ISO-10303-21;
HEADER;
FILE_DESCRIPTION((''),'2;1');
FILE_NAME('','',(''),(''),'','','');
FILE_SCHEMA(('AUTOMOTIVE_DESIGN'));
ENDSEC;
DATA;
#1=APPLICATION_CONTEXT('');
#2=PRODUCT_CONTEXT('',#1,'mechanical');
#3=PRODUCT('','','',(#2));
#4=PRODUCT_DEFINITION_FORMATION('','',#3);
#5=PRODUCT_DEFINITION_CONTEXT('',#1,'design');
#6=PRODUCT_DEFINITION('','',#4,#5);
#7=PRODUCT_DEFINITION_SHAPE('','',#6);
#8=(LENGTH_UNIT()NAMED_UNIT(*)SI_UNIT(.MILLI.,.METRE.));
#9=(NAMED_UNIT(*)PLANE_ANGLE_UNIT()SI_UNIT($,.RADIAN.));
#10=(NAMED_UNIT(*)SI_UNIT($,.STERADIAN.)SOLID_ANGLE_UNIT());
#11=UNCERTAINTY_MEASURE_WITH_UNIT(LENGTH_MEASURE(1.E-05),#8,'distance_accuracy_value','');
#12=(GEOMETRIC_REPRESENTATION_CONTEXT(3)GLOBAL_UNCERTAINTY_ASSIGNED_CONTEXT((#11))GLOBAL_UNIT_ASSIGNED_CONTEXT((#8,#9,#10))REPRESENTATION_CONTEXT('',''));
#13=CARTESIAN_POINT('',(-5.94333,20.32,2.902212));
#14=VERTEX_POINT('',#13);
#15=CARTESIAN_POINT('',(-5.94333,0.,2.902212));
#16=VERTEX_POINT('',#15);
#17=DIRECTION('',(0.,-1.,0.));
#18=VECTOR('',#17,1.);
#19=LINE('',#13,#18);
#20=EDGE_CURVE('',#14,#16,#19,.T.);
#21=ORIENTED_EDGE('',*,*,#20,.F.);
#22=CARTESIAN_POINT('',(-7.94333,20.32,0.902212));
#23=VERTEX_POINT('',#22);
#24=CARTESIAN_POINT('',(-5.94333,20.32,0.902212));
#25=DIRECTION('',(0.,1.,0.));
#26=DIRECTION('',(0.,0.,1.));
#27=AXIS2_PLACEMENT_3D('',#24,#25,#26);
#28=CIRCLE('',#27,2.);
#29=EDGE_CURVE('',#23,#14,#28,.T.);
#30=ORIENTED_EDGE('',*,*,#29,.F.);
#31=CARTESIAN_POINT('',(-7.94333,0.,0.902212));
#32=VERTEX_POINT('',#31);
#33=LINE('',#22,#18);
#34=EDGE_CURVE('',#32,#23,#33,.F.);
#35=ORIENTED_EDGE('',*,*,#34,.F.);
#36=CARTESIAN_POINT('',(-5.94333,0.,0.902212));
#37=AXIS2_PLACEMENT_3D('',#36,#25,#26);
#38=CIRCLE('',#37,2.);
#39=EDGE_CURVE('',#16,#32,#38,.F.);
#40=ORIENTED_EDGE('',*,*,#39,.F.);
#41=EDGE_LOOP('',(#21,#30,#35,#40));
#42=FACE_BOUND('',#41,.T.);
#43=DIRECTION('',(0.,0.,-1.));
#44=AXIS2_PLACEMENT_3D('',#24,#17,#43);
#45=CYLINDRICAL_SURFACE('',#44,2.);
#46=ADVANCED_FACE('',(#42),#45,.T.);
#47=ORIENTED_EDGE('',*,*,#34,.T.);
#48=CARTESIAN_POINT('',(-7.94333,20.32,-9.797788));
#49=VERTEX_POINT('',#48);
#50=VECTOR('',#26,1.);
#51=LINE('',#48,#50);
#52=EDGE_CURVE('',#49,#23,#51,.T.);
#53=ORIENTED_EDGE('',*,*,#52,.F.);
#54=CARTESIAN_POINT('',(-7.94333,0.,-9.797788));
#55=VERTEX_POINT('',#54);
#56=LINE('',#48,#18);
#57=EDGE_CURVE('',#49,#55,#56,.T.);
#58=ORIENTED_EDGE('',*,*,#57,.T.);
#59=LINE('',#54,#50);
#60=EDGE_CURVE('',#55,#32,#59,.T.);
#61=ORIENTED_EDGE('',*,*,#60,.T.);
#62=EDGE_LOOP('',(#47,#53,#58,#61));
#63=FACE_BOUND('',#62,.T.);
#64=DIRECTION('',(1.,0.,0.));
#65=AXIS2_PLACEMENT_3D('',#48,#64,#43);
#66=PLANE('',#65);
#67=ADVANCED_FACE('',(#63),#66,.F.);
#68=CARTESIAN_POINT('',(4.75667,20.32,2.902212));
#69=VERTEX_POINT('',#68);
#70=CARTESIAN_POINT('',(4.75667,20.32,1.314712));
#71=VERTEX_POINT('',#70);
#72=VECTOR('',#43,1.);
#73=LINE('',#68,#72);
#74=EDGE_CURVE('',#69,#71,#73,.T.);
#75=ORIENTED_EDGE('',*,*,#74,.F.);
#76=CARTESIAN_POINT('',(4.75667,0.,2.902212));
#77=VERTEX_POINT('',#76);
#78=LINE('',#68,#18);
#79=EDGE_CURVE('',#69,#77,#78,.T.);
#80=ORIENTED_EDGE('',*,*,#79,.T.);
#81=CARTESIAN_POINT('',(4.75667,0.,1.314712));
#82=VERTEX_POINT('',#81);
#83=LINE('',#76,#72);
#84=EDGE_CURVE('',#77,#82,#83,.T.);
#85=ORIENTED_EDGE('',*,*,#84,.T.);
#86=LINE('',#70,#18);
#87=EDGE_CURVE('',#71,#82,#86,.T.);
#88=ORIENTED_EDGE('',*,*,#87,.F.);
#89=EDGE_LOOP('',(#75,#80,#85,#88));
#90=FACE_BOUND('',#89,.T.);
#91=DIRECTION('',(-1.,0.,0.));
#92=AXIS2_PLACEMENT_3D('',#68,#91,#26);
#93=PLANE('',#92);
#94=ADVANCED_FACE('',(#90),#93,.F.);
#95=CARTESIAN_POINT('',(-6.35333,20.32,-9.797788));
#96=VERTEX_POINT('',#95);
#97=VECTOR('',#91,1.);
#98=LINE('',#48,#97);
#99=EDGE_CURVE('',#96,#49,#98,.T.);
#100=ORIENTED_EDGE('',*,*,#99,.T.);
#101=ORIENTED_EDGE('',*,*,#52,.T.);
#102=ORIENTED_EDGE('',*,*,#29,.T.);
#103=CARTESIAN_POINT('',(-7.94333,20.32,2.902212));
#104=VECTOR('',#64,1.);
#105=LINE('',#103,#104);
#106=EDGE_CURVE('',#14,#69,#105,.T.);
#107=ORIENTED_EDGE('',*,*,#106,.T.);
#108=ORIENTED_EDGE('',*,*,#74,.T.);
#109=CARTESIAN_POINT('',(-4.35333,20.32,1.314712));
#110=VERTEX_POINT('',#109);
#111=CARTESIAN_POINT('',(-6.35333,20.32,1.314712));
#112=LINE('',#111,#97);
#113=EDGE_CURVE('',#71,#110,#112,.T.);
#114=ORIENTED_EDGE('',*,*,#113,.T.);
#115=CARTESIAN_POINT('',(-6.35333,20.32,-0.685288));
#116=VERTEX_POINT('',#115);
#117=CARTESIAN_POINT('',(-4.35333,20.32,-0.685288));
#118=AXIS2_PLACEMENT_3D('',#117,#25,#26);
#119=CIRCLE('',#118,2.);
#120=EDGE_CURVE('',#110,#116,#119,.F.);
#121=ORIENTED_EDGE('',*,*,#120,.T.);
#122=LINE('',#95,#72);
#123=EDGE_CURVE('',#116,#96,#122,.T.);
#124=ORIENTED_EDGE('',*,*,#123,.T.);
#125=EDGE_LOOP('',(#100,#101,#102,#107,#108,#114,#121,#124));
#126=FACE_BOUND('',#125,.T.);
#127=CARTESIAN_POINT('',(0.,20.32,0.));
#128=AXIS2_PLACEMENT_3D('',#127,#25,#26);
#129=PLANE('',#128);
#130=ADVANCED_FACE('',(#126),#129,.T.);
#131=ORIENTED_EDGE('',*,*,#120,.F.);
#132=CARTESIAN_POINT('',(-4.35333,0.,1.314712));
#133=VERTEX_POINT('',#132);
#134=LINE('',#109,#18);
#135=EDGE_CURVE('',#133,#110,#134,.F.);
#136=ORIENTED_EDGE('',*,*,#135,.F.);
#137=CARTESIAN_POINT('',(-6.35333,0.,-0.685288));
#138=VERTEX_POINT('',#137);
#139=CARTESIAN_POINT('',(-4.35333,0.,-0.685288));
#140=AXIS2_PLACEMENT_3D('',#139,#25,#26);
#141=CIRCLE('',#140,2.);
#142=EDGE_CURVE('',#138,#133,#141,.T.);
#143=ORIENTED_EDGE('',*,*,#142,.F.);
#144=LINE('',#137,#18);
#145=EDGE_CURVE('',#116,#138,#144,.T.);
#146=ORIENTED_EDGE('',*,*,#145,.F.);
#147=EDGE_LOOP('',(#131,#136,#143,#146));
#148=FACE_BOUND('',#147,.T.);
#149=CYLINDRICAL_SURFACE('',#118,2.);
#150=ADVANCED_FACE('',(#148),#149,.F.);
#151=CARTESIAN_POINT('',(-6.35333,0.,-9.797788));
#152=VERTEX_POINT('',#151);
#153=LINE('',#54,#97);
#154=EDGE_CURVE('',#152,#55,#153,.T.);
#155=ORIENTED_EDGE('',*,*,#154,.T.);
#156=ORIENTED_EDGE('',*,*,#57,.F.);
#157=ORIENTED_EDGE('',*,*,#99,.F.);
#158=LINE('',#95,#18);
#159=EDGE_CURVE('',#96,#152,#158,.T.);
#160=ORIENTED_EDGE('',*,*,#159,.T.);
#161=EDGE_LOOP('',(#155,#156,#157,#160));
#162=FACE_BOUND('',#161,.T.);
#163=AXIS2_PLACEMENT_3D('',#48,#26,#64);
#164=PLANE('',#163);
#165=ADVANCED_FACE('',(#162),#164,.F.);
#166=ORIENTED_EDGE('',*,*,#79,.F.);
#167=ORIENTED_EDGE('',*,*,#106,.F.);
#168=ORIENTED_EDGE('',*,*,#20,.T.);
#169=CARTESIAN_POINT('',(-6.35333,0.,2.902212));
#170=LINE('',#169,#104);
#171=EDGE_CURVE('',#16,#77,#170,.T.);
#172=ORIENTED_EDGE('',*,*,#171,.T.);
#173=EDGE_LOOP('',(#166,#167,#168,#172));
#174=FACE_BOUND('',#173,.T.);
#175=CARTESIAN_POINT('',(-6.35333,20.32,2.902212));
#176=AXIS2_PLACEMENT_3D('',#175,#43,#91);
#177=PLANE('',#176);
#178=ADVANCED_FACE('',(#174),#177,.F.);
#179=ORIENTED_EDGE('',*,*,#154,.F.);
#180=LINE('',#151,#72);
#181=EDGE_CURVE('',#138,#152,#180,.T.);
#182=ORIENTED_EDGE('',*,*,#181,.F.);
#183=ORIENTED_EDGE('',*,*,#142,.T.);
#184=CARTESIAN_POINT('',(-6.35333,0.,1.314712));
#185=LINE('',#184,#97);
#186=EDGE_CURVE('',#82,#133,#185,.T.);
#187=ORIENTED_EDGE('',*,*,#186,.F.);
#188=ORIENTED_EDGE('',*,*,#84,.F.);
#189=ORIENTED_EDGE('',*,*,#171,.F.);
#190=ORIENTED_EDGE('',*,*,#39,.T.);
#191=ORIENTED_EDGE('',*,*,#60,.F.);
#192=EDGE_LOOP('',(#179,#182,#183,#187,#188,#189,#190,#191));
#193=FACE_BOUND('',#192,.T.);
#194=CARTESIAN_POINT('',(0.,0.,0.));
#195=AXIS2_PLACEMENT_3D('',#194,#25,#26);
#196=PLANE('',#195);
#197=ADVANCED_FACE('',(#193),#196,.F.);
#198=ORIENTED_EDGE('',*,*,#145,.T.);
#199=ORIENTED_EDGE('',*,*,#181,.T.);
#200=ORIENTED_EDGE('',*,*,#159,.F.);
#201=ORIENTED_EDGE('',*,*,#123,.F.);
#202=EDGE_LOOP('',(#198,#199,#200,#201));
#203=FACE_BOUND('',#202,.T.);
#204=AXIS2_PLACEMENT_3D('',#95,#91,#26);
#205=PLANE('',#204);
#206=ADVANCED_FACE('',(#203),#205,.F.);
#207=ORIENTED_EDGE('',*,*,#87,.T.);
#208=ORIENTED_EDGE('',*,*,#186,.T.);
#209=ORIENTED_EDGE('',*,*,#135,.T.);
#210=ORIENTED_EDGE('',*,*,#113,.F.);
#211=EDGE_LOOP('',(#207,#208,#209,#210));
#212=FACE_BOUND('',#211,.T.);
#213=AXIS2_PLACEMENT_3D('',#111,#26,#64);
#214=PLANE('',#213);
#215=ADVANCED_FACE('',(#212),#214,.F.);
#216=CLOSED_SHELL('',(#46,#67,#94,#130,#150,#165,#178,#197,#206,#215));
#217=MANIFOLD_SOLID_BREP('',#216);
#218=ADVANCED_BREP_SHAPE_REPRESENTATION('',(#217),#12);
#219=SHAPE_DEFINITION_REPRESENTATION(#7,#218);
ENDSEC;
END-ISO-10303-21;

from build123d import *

# Parameters (mm, degrees)
BOSS_EXTRUDE1_DEPTH = 20.32
FILLET1_R           = 2
FILLET2_R           = 2


with BuildPart() as part:
    # Sketch1 → Boss-Extrude1 (new body)
    with BuildSketch(Plane(origin=(0, 0, 0), x_dir=(1, 0, 0), z_dir=(0, 1, 0))):
        Polygon((-7.943330105, 9.7977882), (-6.353330105, 9.7977882), (-6.353330105, -1.3147118), (4.756669895, -1.3147118), (4.756669895, -2.9022118), (-6.353330105, -2.9022118), (-7.943330105, -2.9022118), align=None)
    extrude(amount=BOSS_EXTRUDE1_DEPTH)

    # Fillet1
    fillet1_edges = [part.edges().sort_by_distance(p)[0] for p in [
        (-6.353330105, 10.16, 1.3147118),
    ]]
    fillet(fillet1_edges, radius=FILLET1_R)

    # Fillet2
    fillet2_edges = [part.edges().sort_by_distance(p)[0] for p in [
        (-7.943330105, 10.16, 2.9022118),
    ]]
    fillet(fillet2_edges, radius=FILLET2_R)


solid = part.part
